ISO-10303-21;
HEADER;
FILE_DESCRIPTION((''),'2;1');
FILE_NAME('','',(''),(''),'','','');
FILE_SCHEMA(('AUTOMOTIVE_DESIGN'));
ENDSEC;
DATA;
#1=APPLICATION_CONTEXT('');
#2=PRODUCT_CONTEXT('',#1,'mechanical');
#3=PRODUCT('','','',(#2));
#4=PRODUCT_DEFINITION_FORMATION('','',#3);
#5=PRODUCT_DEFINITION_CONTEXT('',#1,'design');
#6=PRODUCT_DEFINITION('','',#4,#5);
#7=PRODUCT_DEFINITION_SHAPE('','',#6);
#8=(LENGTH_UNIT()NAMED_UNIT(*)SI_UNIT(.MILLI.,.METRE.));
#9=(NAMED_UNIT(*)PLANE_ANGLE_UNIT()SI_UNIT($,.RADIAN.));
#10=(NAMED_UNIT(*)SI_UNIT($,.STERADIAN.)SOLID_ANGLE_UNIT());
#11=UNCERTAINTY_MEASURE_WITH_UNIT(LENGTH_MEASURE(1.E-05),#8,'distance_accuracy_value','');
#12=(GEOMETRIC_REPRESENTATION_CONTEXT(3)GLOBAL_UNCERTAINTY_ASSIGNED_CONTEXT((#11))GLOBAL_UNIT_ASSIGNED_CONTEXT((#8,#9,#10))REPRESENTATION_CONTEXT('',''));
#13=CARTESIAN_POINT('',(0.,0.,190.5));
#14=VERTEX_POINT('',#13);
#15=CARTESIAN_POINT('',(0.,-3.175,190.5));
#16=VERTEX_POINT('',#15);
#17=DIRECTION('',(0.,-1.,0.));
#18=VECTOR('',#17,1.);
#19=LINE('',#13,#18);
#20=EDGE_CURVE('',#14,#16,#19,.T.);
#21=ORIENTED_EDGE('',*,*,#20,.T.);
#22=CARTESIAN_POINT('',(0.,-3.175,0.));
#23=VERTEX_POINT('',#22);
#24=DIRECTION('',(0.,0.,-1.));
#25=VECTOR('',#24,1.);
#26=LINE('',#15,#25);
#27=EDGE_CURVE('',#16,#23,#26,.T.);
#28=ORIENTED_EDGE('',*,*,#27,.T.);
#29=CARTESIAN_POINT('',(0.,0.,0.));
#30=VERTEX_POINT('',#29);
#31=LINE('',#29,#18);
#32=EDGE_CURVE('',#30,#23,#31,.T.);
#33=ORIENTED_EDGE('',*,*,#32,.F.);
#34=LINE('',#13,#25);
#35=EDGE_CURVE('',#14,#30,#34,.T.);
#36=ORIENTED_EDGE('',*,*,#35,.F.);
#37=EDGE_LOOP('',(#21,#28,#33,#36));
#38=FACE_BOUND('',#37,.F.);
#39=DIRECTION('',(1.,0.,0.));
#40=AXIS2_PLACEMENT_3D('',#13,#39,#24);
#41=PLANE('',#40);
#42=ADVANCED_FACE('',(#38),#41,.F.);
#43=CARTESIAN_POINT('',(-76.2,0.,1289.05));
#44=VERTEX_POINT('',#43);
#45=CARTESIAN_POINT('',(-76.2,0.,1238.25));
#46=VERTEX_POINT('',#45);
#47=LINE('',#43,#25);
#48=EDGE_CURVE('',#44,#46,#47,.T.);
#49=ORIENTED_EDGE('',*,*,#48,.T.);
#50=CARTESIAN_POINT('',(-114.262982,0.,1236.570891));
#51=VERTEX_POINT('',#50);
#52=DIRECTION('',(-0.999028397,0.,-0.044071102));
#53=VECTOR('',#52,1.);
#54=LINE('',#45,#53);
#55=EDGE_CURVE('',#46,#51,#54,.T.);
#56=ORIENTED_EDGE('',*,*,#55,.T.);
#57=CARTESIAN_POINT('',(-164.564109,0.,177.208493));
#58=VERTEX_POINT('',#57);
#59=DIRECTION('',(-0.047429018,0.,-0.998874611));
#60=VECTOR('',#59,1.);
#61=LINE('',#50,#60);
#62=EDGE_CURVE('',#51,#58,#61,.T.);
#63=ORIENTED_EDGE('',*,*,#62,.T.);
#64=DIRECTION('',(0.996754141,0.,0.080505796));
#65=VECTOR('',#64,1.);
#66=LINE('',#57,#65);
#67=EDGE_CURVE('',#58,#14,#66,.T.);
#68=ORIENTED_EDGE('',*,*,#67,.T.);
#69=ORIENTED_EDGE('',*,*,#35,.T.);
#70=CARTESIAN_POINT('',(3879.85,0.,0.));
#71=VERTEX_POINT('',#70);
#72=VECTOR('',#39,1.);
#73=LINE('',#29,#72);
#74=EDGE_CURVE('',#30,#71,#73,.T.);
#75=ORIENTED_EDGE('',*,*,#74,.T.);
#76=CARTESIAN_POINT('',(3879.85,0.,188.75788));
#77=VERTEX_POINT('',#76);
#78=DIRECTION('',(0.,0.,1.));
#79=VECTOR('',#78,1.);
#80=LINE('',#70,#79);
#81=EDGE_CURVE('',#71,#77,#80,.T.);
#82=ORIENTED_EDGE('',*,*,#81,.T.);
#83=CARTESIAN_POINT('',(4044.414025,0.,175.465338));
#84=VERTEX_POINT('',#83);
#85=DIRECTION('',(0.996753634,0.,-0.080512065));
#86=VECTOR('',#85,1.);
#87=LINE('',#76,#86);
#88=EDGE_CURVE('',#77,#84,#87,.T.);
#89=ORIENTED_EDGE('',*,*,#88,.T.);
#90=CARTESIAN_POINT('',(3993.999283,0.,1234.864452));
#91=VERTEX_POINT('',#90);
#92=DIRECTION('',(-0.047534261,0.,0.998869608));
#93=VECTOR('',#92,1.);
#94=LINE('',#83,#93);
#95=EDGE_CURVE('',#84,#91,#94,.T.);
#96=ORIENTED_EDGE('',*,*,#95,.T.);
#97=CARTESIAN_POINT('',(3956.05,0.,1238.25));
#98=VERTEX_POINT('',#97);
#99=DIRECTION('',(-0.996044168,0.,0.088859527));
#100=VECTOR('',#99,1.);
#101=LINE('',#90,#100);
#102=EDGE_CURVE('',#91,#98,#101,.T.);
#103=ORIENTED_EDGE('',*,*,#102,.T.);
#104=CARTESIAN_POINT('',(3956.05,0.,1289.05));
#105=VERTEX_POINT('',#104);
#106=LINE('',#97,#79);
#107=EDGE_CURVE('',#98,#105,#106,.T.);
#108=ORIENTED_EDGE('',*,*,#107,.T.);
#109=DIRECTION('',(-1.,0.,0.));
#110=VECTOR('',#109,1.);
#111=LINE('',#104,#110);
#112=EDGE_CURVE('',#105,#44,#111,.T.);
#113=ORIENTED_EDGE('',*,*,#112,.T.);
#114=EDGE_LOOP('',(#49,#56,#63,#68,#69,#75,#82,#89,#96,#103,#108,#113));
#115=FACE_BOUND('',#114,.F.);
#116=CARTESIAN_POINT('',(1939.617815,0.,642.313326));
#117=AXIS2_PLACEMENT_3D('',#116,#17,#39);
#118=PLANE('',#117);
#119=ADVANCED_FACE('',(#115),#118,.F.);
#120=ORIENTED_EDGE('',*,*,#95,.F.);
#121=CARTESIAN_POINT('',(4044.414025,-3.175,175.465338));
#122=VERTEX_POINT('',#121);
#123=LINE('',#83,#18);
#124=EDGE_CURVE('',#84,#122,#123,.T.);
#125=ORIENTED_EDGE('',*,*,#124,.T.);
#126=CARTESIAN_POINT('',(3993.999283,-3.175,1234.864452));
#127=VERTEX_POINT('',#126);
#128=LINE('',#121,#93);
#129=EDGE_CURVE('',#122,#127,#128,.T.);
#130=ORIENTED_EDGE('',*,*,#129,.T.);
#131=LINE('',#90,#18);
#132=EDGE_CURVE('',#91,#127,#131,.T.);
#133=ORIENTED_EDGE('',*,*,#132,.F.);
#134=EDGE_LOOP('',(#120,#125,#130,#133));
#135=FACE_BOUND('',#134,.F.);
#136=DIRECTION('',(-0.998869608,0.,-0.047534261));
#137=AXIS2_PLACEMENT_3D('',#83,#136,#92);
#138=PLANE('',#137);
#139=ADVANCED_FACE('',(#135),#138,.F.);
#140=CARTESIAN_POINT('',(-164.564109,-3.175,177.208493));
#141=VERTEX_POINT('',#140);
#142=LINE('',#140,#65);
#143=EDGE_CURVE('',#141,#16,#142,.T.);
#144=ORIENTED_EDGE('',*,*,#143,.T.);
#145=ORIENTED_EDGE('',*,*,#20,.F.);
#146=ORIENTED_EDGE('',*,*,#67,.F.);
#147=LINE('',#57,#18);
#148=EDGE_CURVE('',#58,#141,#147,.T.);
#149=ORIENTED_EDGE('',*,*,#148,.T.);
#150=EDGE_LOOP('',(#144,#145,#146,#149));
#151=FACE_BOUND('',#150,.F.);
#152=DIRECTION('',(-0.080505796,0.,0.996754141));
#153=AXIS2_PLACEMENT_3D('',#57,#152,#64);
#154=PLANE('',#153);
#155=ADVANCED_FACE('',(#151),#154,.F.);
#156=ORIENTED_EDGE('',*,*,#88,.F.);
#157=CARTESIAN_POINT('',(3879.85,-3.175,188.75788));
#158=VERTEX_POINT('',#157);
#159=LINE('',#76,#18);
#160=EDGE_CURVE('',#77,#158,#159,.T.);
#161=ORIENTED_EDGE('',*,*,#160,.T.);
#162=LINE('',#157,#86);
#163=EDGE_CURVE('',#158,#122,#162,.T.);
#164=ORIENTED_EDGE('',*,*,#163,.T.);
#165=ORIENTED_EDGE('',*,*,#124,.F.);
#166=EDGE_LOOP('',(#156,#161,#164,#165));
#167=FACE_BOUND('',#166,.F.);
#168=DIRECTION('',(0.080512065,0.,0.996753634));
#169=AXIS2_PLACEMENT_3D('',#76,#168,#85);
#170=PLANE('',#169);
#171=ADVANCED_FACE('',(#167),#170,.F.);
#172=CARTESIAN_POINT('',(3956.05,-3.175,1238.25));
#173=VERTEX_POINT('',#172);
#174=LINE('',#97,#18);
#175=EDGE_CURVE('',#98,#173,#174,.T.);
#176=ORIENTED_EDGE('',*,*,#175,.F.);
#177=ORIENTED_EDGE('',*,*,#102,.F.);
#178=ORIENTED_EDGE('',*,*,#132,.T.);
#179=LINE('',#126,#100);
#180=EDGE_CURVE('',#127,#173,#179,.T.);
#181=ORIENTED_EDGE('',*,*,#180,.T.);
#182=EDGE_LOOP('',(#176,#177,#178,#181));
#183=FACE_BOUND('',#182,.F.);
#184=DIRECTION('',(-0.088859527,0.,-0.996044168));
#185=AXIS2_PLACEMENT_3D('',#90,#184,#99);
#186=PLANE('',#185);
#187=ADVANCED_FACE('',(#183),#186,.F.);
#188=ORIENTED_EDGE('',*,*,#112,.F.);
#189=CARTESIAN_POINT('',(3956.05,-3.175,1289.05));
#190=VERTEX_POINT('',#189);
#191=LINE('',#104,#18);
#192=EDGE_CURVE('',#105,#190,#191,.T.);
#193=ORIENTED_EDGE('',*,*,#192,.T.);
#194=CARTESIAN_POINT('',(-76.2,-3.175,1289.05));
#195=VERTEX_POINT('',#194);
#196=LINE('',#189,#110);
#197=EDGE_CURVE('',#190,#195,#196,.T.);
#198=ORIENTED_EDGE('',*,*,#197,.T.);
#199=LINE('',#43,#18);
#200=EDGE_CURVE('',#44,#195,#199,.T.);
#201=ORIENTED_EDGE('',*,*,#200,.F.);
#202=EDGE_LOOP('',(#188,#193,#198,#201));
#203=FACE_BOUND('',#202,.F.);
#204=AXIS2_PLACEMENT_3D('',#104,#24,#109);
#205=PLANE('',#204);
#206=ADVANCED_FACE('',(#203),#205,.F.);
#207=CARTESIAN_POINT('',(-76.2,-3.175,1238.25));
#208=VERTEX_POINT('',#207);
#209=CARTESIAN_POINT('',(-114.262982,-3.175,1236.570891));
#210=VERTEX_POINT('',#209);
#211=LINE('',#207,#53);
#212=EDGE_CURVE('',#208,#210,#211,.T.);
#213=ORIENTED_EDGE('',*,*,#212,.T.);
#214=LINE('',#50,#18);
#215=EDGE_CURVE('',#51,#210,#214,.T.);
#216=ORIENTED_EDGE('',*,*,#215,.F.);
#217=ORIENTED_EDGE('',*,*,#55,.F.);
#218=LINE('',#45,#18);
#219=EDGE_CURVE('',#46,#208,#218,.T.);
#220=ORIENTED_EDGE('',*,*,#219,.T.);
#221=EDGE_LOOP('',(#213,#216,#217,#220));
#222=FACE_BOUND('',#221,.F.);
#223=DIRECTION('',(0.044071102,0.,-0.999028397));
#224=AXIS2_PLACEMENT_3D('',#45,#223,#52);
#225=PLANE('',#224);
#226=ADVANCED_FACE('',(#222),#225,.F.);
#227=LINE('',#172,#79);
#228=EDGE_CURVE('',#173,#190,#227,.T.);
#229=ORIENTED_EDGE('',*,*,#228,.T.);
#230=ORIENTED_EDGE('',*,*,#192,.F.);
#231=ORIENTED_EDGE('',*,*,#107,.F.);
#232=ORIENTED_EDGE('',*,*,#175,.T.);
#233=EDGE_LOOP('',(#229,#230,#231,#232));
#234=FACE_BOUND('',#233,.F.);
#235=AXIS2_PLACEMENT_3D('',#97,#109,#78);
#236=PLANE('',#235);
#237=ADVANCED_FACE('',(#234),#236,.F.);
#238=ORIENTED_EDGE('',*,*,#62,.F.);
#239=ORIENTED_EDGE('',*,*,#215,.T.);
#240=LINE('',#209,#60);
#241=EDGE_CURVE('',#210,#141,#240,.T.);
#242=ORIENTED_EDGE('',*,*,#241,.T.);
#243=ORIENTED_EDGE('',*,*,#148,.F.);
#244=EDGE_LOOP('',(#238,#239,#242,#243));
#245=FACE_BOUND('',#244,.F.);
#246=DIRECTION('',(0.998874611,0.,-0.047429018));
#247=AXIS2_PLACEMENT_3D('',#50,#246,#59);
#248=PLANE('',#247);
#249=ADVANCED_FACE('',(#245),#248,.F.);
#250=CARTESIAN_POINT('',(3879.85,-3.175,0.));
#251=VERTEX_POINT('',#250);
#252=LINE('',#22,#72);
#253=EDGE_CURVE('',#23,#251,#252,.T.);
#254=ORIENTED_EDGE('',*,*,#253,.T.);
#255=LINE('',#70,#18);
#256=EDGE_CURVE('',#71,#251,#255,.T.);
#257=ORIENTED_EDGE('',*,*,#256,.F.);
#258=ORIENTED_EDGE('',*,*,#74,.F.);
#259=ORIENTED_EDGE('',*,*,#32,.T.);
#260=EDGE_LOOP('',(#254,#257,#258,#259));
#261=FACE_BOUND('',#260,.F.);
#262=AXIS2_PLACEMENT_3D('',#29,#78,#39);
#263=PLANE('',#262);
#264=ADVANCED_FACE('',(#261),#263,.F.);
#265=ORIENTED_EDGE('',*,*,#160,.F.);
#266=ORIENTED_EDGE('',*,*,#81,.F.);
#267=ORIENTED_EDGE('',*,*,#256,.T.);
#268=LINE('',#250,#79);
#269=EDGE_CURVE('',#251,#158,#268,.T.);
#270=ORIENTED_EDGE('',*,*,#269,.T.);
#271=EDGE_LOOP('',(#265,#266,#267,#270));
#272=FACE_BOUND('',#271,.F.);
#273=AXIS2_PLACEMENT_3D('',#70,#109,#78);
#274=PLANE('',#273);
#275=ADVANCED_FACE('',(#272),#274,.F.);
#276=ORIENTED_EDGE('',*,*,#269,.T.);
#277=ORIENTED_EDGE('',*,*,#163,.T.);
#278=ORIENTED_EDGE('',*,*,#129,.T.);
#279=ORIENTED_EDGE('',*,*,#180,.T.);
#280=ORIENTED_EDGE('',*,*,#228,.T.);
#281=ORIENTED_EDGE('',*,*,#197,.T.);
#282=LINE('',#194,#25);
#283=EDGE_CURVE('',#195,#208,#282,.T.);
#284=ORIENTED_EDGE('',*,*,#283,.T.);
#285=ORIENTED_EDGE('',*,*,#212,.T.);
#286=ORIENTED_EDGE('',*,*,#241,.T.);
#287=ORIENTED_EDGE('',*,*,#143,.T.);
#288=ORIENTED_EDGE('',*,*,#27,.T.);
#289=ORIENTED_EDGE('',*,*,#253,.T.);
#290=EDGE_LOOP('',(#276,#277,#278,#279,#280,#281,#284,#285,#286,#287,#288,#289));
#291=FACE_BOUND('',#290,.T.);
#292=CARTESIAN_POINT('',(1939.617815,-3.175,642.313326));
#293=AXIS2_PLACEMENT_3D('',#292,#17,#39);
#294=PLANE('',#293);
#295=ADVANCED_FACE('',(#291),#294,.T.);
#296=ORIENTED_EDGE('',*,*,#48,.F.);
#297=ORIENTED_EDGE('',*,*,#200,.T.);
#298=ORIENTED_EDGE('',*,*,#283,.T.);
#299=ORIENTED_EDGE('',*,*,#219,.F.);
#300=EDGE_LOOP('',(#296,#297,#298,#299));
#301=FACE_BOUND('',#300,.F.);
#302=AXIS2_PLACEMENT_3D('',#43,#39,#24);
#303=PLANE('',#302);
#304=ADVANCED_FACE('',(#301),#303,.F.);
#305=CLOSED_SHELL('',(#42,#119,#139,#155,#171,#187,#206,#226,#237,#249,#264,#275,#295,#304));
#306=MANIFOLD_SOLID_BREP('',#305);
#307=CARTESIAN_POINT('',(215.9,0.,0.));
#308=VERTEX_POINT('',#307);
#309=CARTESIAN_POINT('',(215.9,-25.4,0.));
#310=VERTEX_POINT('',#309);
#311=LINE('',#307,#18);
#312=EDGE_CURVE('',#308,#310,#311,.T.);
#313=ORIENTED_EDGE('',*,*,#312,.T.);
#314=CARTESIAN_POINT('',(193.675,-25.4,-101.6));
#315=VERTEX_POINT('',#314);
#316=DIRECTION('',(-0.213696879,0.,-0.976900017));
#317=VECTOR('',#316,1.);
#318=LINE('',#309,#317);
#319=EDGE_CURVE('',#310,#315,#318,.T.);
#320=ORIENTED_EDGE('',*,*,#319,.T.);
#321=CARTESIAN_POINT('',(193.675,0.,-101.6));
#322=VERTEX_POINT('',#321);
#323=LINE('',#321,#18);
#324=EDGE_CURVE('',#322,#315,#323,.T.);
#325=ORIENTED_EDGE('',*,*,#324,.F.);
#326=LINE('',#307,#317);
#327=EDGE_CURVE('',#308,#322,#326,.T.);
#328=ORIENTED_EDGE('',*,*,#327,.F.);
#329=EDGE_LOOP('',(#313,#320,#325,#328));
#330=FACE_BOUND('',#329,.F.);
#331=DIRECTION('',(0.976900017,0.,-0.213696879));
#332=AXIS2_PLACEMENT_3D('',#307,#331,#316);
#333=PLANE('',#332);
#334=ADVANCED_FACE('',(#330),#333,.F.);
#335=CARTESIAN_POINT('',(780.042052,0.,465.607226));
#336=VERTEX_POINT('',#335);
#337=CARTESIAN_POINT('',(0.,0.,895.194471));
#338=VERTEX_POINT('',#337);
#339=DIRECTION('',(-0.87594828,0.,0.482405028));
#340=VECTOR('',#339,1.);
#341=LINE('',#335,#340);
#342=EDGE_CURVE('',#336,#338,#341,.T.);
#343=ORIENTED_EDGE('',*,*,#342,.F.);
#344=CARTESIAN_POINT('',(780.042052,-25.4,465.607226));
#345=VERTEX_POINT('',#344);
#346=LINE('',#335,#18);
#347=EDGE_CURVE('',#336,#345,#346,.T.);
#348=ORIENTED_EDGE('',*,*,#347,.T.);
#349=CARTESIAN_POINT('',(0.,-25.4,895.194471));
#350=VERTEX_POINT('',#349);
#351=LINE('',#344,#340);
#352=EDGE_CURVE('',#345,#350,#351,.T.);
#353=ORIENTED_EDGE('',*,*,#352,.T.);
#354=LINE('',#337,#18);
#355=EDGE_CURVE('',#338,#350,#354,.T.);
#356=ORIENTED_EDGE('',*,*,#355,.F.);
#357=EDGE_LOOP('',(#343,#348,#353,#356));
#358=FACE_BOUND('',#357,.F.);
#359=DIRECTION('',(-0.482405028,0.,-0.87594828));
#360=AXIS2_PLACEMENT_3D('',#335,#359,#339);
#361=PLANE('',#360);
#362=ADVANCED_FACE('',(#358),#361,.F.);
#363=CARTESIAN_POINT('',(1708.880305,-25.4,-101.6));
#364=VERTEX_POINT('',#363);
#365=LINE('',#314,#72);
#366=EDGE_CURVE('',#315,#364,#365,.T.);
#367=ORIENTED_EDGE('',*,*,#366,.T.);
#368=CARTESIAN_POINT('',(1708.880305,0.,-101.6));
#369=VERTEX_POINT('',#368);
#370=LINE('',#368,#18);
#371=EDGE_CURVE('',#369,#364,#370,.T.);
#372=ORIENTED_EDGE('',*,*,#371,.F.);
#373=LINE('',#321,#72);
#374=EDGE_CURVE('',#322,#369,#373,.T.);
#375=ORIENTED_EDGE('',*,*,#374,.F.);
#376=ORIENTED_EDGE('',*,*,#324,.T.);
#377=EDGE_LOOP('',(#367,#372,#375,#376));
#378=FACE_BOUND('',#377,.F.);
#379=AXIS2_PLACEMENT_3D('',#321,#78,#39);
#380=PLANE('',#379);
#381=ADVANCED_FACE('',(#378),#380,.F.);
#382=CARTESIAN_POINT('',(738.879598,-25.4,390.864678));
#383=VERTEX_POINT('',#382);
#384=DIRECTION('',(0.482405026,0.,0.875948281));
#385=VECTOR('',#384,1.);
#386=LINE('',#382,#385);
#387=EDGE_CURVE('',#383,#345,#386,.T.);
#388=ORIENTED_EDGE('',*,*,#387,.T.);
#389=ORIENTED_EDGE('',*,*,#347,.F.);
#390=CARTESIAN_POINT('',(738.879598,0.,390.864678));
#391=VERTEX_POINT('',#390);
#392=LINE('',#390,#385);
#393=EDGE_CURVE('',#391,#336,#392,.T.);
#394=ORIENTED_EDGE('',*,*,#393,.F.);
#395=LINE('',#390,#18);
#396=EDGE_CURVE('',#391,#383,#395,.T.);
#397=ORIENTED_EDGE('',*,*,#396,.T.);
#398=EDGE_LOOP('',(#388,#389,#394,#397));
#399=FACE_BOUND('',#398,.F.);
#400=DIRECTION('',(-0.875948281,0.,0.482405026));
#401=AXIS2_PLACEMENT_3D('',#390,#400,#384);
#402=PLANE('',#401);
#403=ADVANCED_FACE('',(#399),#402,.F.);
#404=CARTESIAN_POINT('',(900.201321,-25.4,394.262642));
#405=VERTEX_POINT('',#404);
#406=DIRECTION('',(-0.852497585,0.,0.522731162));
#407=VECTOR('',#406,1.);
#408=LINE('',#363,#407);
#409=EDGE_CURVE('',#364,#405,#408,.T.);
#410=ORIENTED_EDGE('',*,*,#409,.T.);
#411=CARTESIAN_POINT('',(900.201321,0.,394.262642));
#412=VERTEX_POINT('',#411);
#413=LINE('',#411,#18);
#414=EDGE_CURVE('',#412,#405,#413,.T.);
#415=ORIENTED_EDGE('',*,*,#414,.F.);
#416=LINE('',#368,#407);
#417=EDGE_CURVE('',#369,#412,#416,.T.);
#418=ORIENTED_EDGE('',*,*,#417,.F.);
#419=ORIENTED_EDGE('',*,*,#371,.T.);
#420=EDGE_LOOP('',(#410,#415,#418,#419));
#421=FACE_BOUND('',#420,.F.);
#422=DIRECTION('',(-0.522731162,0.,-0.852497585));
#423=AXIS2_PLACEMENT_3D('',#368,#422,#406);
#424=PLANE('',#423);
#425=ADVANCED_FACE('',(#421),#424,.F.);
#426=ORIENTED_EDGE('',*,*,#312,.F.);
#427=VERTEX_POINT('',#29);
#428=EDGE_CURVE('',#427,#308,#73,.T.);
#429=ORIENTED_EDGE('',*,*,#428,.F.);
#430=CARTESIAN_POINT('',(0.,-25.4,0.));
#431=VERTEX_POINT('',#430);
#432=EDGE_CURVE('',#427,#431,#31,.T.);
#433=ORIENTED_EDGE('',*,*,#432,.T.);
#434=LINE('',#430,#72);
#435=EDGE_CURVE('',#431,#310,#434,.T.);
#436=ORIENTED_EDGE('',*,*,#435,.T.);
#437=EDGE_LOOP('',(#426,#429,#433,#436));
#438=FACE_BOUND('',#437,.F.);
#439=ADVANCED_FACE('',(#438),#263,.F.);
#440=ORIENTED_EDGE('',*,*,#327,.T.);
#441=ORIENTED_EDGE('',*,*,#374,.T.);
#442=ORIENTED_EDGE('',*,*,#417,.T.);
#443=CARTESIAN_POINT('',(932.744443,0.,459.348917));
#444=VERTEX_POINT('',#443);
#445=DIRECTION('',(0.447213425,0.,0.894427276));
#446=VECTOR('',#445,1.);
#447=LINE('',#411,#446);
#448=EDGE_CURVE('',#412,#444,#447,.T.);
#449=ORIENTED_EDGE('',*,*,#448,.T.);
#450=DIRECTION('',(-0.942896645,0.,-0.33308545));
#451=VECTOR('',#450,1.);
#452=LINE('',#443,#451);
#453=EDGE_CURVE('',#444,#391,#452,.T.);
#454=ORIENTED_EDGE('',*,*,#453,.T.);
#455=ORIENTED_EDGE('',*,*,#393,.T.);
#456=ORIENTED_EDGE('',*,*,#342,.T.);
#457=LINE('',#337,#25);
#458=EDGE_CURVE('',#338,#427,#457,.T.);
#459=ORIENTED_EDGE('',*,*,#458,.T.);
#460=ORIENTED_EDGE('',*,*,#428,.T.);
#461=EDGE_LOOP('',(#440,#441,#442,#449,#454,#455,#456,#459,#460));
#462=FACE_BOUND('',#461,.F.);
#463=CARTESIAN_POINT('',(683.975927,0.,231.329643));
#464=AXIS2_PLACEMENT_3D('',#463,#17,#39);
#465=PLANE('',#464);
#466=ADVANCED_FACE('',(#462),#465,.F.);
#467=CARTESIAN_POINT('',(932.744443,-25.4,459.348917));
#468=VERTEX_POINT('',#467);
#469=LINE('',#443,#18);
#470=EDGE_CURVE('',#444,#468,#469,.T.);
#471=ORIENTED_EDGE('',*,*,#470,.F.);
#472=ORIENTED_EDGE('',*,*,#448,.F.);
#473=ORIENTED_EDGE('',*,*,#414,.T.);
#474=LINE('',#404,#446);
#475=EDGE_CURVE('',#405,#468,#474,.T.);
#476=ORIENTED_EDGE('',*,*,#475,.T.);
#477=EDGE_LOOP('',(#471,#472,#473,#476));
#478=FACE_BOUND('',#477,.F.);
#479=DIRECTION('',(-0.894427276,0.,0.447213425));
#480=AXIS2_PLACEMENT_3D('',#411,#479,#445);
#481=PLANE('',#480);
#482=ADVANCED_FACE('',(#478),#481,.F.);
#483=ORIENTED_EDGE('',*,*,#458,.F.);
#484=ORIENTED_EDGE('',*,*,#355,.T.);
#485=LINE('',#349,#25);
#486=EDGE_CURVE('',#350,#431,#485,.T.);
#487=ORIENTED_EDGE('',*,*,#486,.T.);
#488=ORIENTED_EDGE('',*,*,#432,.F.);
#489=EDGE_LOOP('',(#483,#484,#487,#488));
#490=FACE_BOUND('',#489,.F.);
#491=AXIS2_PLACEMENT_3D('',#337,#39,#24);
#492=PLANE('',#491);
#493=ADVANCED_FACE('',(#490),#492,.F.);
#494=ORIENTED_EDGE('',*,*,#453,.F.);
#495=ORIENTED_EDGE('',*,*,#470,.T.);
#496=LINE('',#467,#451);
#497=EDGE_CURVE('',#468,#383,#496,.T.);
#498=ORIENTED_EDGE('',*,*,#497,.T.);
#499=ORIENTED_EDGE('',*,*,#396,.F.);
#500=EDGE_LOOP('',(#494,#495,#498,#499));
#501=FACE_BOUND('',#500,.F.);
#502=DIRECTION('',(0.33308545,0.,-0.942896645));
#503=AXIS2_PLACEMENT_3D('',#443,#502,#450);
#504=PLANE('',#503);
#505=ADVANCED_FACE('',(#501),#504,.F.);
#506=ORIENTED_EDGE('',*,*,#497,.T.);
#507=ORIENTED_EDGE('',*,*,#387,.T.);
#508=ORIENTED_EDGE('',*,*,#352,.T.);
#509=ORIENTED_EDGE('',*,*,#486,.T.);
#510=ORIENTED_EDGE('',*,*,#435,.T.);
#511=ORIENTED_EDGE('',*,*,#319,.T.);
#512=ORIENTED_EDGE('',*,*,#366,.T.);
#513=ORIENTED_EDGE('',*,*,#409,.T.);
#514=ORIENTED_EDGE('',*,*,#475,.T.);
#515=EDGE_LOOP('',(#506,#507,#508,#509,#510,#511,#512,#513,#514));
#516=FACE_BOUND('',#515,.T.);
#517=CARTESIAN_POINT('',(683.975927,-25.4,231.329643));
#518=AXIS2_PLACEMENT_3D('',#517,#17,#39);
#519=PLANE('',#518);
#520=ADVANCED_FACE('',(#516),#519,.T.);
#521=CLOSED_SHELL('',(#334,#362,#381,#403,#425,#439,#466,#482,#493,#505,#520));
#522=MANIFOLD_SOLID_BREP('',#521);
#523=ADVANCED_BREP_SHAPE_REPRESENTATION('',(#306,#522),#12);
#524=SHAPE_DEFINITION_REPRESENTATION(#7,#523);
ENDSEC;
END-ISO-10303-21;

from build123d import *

# Parameters (mm, degrees)
F1_DEPTH = 3.175
F3_DEPTH = 25.4


with BuildPart() as f1:
    # F0 (on Front) → F1 (new body)
    with BuildSketch(Plane.XZ):
        Polygon((0, 190.5), (0, 0), (3879.85, 0), (3879.85, 188.75788), (4044.414025, 175.465338), (3993.999283, 1234.864452), (3956.05, 1238.25), (3956.05, 1289.05), (-76.2, 1289.05), (-76.2, 1238.25), (-114.262982, 1236.570891), (-164.564109, 177.208493), align=None)
    extrude(amount=F1_DEPTH)


with BuildPart() as f3:
    # F2 (on Front) → F3 (new body)
    with BuildSketch(Plane.XZ):
        Polygon((0, 895.194471), (0, 0), (215.9, 0), (193.675, -101.6), (1708.880305, -101.6), (900.201321, 394.262642), (932.744443, 459.348917), (738.879598, 390.864678), (780.042052, 465.607226), align=None)
    extrude(amount=F3_DEPTH)


solid = Compound([f1.part, f3.part])
